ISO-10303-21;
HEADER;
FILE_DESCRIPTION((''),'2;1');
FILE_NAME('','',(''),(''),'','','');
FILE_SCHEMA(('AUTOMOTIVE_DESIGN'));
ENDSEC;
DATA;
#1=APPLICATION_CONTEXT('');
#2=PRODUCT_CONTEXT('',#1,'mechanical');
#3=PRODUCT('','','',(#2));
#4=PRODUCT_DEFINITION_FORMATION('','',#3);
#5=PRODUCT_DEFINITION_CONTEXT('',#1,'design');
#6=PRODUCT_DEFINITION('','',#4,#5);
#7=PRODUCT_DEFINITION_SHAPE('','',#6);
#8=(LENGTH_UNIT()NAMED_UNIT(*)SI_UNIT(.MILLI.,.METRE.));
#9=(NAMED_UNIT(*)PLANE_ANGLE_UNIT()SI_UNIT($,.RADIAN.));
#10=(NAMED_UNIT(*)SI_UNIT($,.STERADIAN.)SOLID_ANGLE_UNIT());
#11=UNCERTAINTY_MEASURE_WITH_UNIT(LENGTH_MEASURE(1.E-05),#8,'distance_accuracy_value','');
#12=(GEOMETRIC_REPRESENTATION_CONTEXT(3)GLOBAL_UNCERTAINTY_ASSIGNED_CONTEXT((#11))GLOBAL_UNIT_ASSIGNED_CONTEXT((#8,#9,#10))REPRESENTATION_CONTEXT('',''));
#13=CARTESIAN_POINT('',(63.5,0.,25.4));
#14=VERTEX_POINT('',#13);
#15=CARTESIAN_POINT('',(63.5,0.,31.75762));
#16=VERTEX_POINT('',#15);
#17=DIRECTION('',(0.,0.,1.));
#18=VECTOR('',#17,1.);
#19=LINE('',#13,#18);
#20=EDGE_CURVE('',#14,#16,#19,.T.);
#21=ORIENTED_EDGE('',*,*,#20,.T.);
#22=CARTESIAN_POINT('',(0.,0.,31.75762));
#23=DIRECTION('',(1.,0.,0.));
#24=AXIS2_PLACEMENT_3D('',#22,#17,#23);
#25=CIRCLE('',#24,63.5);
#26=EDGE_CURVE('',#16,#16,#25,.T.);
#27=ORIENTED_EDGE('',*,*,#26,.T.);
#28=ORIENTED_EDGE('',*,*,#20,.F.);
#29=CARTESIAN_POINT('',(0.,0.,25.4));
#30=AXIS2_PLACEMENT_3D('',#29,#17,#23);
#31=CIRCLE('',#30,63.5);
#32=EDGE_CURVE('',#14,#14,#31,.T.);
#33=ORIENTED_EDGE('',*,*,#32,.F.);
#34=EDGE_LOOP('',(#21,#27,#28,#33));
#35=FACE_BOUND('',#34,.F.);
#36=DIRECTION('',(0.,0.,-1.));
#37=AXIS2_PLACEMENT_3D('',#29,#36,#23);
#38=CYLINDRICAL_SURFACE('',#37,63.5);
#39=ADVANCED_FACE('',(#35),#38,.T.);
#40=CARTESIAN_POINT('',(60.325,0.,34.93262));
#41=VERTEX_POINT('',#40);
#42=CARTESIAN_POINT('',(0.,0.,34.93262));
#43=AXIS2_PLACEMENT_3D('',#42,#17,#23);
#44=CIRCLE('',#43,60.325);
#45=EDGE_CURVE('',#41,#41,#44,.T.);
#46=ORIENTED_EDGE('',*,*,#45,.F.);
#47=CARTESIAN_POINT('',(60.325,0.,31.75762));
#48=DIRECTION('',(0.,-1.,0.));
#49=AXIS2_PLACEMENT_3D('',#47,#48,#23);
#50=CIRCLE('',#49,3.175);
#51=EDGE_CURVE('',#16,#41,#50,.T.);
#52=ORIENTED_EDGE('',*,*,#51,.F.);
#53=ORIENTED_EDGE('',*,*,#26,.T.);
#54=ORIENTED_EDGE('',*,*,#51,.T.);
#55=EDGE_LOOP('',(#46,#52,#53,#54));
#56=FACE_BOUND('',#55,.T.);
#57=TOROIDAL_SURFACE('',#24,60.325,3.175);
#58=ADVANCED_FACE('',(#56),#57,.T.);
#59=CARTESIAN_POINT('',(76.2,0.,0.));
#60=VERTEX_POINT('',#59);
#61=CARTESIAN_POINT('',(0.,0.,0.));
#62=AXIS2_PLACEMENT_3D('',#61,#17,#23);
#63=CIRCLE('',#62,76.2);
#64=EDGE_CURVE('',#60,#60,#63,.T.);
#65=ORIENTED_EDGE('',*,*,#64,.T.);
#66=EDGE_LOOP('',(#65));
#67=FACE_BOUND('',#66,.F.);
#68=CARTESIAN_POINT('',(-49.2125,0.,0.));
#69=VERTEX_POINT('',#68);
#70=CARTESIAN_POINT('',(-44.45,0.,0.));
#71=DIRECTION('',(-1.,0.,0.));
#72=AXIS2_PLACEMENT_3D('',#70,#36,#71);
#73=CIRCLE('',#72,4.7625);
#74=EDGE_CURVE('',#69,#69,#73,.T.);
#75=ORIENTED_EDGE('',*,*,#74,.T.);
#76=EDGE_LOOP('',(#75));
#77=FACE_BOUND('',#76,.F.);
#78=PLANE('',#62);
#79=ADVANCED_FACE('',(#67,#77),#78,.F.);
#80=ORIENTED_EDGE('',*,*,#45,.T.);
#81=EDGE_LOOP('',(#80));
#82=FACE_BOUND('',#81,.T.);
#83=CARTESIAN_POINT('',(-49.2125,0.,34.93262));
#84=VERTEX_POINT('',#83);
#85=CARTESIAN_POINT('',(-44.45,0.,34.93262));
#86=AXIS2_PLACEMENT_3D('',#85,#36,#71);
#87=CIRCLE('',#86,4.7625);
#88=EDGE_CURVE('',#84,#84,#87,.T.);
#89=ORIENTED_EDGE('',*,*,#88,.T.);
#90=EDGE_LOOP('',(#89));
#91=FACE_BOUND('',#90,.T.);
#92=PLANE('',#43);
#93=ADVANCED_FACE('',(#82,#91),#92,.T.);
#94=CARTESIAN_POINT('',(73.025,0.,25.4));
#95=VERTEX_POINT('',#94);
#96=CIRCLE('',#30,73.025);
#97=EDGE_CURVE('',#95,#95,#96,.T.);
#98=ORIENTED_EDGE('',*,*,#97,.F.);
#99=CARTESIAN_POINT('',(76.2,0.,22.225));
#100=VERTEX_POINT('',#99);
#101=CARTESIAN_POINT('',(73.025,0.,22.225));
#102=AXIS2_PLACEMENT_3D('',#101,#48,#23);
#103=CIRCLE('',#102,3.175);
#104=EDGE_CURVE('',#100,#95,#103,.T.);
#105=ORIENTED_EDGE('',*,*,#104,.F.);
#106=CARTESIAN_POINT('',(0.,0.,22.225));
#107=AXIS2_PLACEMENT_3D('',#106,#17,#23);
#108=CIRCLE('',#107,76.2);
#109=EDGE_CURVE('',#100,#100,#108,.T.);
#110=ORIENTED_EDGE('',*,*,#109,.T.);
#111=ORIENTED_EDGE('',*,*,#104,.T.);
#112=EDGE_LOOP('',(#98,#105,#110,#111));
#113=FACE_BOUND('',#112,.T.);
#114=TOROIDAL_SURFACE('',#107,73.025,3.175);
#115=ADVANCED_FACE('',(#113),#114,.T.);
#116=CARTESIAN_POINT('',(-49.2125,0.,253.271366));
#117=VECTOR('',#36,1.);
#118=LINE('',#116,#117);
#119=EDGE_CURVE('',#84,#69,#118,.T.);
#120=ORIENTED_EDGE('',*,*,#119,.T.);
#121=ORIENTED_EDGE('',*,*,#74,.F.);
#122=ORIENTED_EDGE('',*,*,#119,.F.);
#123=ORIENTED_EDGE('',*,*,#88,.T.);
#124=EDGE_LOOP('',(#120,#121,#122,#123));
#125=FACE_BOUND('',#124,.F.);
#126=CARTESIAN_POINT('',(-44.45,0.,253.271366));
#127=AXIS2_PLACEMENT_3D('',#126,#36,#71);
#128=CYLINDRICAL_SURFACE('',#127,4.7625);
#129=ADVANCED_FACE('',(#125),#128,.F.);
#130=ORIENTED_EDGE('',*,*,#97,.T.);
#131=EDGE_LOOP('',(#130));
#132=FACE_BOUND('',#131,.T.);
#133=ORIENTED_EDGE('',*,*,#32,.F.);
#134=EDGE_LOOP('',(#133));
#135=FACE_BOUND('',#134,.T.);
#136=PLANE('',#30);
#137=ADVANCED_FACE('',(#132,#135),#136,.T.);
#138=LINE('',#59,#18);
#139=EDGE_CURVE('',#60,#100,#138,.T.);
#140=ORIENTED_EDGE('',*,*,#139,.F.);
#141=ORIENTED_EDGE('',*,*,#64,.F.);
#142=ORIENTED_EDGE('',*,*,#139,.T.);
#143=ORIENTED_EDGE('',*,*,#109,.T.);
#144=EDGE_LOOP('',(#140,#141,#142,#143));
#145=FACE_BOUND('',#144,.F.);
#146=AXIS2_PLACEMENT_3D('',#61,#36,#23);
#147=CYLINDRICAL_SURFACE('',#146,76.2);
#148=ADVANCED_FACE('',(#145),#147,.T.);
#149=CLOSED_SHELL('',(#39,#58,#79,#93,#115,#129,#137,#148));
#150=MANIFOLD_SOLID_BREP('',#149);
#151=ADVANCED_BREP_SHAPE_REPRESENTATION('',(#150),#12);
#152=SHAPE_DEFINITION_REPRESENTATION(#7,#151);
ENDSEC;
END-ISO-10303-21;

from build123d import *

# Parameters (mm, degrees)
F0_R     = 76.2
F1_DEPTH = 25.4
F2_R     = 63.5
F3_DEPTH = 9.53262
F4_R     = 3.175
F6_D     = 9.525


with BuildPart() as f1:
    # F0 (on Top) → F1 (new body)
    with BuildSketch(Plane.XY):
        Circle(F0_R)
    extrude(amount=F1_DEPTH)

    # F2 (on face) → F3 (join)
    with BuildSketch(Plane.XY.offset(25.4)):
        Circle(F2_R)
    extrude(amount=F3_DEPTH)

    # F4
    f4_edges = [f1.edges().sort_by_distance(p)[0] for p in [
        (-76.2, 0, 25.4),
        (-63.5, 0, 34.93262),
    ]]
    fillet(f4_edges, radius=F4_R)

    # F6 (through all)
    with Locations(Plane.XY.offset(34.93262)):
        with Locations((-44.45, 0)):
            Hole(F6_D / 2)


solid = f1.part
